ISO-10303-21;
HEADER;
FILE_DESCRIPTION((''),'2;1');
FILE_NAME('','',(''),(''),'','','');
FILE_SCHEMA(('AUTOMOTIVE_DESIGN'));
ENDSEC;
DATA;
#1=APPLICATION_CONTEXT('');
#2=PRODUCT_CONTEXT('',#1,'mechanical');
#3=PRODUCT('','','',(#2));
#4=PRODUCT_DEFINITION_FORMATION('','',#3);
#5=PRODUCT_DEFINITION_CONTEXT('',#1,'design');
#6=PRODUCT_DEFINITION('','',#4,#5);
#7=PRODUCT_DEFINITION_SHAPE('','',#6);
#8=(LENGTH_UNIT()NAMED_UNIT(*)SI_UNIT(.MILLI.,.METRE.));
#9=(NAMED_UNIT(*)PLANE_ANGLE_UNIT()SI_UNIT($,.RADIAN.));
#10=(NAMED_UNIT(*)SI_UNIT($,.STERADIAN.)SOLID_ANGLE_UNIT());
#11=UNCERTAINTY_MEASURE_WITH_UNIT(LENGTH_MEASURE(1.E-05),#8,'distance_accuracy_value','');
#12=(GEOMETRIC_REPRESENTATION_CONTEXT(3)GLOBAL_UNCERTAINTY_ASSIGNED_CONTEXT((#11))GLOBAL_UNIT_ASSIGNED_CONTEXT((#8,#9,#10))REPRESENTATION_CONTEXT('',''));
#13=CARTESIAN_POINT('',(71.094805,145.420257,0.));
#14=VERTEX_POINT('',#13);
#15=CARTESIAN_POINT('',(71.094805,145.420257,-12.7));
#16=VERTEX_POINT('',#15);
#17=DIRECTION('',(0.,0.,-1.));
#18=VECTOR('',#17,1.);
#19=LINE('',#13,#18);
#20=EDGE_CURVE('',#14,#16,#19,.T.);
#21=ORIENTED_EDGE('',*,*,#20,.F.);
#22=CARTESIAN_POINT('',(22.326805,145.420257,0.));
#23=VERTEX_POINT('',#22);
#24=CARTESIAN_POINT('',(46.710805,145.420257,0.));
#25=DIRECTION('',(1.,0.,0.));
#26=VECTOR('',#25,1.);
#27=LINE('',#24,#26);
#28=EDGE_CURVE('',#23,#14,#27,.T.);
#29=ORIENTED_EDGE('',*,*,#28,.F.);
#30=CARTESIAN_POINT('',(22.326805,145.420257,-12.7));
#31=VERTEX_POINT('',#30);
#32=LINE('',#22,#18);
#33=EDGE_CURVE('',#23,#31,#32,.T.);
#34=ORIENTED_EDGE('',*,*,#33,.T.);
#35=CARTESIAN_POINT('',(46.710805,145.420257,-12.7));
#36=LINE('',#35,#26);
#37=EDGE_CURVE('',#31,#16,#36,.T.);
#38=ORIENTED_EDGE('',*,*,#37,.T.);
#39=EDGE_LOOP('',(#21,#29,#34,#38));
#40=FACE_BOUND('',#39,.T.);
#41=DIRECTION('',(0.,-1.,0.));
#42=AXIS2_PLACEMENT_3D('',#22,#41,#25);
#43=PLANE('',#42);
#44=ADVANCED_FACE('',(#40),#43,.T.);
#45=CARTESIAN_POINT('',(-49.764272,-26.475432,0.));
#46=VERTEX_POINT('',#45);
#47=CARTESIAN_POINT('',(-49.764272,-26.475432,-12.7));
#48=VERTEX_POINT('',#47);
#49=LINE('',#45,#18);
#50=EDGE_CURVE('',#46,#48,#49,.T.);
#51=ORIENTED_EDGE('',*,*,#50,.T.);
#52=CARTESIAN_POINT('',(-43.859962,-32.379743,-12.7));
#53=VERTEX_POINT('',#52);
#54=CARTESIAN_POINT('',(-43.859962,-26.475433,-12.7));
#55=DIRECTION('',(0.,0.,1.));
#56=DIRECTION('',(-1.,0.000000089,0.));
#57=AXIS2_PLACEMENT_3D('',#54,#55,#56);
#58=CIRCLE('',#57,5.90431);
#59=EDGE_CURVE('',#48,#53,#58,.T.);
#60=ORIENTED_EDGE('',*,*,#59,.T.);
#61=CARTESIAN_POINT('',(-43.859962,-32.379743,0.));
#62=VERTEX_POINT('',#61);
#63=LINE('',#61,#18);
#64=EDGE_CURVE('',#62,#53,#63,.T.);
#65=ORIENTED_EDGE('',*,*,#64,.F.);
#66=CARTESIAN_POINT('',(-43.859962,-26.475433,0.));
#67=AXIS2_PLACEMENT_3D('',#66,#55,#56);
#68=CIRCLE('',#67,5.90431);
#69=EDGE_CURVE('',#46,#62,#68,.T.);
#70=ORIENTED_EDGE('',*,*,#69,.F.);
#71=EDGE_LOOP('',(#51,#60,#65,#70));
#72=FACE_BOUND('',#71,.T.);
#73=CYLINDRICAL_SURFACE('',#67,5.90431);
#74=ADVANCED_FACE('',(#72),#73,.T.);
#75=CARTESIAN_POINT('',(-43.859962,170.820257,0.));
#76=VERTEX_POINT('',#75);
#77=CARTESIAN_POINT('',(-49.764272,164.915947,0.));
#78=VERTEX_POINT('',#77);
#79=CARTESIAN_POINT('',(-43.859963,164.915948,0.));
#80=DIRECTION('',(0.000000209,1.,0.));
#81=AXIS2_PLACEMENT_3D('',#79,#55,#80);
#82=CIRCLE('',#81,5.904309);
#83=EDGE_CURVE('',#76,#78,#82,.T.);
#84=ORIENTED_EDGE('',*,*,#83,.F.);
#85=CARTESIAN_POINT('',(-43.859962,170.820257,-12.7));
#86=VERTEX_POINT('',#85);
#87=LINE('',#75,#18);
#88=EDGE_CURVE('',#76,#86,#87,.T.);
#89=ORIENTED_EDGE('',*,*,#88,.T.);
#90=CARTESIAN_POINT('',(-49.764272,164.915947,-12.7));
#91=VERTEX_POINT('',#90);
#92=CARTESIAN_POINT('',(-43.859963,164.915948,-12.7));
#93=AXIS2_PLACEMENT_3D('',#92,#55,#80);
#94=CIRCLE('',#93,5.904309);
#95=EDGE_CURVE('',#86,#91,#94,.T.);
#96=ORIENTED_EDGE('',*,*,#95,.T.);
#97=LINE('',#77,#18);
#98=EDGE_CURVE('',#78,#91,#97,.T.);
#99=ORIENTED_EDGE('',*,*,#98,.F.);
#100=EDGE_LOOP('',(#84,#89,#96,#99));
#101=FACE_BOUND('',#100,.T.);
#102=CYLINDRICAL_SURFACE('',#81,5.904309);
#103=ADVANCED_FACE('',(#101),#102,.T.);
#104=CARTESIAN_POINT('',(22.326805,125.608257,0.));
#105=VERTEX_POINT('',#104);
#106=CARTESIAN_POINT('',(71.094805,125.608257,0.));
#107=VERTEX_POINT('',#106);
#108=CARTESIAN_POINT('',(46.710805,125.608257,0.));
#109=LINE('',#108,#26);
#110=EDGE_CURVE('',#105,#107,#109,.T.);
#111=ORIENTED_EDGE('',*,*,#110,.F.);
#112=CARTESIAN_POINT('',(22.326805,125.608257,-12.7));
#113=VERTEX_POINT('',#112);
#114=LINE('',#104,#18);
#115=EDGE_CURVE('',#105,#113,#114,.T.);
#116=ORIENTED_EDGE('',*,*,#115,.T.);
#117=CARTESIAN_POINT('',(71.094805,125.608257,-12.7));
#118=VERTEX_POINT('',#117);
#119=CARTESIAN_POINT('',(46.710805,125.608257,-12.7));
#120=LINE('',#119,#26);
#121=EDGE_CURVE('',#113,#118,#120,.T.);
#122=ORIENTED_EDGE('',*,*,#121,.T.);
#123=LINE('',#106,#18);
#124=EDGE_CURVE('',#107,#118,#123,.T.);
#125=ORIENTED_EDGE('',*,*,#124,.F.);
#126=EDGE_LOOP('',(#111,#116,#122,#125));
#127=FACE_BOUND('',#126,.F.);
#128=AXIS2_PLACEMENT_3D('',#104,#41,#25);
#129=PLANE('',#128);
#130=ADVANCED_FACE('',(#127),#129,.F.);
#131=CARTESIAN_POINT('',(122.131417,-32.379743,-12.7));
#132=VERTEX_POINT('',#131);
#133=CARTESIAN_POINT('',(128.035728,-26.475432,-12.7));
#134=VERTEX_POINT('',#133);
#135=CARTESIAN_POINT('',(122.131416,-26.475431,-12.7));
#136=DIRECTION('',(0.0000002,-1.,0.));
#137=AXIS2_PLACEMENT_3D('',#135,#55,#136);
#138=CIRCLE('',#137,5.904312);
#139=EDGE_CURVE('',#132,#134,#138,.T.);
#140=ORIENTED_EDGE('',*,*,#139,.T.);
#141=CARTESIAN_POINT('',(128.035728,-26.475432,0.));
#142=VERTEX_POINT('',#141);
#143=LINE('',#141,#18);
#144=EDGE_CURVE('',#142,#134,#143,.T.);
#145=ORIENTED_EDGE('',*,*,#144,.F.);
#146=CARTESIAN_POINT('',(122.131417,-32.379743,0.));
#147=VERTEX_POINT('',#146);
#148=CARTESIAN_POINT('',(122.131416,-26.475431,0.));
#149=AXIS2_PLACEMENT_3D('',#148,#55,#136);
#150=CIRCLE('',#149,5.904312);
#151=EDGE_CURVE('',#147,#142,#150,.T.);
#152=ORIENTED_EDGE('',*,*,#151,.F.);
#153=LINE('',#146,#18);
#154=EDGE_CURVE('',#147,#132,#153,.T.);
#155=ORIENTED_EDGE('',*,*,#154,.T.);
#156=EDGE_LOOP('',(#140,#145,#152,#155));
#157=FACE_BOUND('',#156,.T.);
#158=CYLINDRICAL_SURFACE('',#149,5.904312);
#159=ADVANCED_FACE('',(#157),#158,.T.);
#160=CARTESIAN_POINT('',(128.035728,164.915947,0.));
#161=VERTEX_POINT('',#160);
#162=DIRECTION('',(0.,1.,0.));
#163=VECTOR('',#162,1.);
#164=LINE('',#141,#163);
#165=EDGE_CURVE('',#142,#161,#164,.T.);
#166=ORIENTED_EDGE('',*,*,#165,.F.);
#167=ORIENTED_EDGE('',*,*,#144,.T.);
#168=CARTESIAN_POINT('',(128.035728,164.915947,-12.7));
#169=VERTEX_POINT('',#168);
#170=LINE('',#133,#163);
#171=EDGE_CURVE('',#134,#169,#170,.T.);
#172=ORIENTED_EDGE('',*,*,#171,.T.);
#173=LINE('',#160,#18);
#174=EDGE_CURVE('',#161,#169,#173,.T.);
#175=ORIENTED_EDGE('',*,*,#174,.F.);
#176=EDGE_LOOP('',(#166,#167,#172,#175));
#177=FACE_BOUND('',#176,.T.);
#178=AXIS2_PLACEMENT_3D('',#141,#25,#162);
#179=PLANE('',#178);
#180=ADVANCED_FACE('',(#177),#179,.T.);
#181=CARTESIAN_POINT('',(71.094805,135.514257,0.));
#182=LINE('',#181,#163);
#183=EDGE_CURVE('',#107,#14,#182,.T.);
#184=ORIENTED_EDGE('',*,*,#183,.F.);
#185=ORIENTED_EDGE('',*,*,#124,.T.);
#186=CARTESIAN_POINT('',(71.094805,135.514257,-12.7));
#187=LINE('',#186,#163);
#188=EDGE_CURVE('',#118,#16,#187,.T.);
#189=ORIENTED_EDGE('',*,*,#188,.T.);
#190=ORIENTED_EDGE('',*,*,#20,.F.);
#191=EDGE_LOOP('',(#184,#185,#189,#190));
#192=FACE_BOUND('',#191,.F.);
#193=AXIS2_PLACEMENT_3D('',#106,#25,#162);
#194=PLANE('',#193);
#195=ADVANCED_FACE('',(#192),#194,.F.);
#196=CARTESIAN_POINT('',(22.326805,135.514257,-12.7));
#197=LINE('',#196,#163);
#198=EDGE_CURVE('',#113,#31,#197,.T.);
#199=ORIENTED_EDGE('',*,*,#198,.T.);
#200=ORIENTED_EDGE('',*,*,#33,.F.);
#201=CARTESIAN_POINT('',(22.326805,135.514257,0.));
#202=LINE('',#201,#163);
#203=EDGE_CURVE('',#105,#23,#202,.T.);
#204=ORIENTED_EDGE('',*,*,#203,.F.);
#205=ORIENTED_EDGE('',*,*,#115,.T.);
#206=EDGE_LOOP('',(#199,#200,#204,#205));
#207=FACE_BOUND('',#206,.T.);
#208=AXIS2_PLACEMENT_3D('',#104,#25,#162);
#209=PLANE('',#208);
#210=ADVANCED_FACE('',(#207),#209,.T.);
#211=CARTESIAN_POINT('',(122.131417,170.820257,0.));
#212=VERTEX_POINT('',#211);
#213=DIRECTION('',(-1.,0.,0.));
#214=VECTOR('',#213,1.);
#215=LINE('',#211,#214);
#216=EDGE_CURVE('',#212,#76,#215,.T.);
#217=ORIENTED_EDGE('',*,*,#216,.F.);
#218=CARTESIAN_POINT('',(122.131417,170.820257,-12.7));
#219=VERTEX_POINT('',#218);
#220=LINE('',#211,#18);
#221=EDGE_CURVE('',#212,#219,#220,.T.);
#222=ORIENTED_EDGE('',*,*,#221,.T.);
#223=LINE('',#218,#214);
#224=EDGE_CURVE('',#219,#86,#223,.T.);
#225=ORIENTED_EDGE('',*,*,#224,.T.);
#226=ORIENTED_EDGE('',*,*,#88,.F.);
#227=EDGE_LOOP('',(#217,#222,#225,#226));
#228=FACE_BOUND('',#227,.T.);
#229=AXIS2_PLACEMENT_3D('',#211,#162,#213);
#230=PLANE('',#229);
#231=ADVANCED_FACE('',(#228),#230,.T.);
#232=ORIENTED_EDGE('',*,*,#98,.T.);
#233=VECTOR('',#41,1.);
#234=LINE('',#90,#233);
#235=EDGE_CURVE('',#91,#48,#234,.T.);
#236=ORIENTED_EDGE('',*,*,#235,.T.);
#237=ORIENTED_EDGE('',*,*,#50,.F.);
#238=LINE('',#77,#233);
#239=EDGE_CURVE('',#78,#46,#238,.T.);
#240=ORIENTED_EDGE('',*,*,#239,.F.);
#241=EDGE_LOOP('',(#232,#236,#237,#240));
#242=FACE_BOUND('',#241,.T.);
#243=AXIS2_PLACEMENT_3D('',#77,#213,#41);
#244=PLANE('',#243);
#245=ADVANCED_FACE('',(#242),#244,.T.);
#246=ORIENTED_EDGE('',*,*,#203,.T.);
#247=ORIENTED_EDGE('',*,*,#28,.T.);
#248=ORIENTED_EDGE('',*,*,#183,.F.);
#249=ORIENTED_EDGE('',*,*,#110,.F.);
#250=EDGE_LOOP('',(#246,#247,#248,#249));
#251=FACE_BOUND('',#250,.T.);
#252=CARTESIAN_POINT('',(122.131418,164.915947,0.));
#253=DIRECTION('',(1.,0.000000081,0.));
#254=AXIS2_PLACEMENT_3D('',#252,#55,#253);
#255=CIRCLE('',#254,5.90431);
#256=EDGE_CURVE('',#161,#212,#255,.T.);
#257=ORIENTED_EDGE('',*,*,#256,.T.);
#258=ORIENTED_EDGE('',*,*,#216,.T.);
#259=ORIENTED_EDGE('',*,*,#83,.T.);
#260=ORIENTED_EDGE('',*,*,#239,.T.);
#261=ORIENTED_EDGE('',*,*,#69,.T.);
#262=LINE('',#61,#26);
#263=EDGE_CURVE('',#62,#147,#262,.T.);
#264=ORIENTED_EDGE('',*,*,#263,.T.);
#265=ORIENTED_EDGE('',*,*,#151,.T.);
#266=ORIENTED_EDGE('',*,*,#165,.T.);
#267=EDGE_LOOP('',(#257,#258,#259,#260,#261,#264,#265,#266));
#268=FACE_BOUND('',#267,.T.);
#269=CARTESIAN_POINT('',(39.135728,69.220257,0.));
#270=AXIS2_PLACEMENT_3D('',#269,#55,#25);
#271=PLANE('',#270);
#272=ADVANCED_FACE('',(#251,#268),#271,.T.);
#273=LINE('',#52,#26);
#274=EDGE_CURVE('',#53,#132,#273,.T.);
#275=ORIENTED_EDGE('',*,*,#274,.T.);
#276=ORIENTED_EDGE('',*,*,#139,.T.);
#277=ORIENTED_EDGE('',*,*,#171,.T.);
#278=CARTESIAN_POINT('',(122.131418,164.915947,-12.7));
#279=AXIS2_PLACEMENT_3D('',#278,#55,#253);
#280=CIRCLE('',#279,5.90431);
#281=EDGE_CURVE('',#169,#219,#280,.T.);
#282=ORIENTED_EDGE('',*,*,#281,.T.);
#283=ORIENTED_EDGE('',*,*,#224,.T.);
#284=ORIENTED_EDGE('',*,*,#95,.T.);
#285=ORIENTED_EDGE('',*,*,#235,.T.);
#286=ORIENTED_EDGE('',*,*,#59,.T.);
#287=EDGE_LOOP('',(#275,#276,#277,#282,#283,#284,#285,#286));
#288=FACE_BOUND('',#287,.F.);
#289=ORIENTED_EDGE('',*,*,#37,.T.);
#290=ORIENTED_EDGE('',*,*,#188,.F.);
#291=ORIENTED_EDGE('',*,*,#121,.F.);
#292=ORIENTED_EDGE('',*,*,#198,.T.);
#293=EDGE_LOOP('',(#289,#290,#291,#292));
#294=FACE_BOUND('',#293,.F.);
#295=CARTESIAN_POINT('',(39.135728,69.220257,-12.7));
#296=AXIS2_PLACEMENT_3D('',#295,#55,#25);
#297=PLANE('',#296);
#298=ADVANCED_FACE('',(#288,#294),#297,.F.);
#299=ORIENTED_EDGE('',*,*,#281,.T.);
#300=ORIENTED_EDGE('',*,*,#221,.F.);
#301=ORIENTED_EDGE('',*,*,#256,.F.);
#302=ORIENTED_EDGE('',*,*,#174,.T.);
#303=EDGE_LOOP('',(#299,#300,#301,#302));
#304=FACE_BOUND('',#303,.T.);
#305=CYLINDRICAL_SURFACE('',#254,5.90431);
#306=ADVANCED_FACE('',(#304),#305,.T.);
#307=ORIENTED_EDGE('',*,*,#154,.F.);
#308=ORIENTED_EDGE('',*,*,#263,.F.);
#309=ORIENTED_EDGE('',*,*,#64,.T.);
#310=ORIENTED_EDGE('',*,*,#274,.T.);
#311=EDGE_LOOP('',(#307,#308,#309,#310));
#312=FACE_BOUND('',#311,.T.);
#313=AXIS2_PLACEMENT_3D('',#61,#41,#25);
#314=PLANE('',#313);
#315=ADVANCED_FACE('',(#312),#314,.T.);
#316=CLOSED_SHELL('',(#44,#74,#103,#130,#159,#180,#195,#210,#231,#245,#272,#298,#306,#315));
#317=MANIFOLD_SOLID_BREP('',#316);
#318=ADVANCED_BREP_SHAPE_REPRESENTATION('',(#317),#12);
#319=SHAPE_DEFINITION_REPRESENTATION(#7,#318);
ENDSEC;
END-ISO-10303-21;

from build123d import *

# Parameters (mm, degrees)
F0_W     = 48.768
F0_H     = 19.812
F1_DEPTH = 12.7


with BuildPart() as f1:
    # F0 (on Top) → F1 (new body)
    with BuildSketch(Plane.XY):
        with BuildLine():
            Line((122.131417, 170.820257), (-43.859962, 170.820257))
            ThreePointArc((-43.859962, 170.820257), (-48.03494, 169.090925), (-49.764272, 164.915947))
            Line((-49.764272, 164.915947), (-49.764272, -26.475432))
            ThreePointArc((-49.764272, -26.475432), (-48.03494, -30.65041), (-43.859962, -32.379743))
            Line((-43.859962, -32.379743), (122.131417, -32.379743))
            ThreePointArc((122.131417, -32.379743), (126.306395, -30.65041), (128.035728, -26.475432))
            Line((128.035728, -26.475432), (128.035728, 164.915947))
            ThreePointArc((128.035728, 164.915947), (126.306395, 169.090925), (122.131417, 170.820257))
        make_face()
        with Locations((46.710805, 135.514257)):
            Rectangle(F0_W, F0_H, mode=Mode.SUBTRACT)
    extrude(amount=-F1_DEPTH)


solid = f1.part
